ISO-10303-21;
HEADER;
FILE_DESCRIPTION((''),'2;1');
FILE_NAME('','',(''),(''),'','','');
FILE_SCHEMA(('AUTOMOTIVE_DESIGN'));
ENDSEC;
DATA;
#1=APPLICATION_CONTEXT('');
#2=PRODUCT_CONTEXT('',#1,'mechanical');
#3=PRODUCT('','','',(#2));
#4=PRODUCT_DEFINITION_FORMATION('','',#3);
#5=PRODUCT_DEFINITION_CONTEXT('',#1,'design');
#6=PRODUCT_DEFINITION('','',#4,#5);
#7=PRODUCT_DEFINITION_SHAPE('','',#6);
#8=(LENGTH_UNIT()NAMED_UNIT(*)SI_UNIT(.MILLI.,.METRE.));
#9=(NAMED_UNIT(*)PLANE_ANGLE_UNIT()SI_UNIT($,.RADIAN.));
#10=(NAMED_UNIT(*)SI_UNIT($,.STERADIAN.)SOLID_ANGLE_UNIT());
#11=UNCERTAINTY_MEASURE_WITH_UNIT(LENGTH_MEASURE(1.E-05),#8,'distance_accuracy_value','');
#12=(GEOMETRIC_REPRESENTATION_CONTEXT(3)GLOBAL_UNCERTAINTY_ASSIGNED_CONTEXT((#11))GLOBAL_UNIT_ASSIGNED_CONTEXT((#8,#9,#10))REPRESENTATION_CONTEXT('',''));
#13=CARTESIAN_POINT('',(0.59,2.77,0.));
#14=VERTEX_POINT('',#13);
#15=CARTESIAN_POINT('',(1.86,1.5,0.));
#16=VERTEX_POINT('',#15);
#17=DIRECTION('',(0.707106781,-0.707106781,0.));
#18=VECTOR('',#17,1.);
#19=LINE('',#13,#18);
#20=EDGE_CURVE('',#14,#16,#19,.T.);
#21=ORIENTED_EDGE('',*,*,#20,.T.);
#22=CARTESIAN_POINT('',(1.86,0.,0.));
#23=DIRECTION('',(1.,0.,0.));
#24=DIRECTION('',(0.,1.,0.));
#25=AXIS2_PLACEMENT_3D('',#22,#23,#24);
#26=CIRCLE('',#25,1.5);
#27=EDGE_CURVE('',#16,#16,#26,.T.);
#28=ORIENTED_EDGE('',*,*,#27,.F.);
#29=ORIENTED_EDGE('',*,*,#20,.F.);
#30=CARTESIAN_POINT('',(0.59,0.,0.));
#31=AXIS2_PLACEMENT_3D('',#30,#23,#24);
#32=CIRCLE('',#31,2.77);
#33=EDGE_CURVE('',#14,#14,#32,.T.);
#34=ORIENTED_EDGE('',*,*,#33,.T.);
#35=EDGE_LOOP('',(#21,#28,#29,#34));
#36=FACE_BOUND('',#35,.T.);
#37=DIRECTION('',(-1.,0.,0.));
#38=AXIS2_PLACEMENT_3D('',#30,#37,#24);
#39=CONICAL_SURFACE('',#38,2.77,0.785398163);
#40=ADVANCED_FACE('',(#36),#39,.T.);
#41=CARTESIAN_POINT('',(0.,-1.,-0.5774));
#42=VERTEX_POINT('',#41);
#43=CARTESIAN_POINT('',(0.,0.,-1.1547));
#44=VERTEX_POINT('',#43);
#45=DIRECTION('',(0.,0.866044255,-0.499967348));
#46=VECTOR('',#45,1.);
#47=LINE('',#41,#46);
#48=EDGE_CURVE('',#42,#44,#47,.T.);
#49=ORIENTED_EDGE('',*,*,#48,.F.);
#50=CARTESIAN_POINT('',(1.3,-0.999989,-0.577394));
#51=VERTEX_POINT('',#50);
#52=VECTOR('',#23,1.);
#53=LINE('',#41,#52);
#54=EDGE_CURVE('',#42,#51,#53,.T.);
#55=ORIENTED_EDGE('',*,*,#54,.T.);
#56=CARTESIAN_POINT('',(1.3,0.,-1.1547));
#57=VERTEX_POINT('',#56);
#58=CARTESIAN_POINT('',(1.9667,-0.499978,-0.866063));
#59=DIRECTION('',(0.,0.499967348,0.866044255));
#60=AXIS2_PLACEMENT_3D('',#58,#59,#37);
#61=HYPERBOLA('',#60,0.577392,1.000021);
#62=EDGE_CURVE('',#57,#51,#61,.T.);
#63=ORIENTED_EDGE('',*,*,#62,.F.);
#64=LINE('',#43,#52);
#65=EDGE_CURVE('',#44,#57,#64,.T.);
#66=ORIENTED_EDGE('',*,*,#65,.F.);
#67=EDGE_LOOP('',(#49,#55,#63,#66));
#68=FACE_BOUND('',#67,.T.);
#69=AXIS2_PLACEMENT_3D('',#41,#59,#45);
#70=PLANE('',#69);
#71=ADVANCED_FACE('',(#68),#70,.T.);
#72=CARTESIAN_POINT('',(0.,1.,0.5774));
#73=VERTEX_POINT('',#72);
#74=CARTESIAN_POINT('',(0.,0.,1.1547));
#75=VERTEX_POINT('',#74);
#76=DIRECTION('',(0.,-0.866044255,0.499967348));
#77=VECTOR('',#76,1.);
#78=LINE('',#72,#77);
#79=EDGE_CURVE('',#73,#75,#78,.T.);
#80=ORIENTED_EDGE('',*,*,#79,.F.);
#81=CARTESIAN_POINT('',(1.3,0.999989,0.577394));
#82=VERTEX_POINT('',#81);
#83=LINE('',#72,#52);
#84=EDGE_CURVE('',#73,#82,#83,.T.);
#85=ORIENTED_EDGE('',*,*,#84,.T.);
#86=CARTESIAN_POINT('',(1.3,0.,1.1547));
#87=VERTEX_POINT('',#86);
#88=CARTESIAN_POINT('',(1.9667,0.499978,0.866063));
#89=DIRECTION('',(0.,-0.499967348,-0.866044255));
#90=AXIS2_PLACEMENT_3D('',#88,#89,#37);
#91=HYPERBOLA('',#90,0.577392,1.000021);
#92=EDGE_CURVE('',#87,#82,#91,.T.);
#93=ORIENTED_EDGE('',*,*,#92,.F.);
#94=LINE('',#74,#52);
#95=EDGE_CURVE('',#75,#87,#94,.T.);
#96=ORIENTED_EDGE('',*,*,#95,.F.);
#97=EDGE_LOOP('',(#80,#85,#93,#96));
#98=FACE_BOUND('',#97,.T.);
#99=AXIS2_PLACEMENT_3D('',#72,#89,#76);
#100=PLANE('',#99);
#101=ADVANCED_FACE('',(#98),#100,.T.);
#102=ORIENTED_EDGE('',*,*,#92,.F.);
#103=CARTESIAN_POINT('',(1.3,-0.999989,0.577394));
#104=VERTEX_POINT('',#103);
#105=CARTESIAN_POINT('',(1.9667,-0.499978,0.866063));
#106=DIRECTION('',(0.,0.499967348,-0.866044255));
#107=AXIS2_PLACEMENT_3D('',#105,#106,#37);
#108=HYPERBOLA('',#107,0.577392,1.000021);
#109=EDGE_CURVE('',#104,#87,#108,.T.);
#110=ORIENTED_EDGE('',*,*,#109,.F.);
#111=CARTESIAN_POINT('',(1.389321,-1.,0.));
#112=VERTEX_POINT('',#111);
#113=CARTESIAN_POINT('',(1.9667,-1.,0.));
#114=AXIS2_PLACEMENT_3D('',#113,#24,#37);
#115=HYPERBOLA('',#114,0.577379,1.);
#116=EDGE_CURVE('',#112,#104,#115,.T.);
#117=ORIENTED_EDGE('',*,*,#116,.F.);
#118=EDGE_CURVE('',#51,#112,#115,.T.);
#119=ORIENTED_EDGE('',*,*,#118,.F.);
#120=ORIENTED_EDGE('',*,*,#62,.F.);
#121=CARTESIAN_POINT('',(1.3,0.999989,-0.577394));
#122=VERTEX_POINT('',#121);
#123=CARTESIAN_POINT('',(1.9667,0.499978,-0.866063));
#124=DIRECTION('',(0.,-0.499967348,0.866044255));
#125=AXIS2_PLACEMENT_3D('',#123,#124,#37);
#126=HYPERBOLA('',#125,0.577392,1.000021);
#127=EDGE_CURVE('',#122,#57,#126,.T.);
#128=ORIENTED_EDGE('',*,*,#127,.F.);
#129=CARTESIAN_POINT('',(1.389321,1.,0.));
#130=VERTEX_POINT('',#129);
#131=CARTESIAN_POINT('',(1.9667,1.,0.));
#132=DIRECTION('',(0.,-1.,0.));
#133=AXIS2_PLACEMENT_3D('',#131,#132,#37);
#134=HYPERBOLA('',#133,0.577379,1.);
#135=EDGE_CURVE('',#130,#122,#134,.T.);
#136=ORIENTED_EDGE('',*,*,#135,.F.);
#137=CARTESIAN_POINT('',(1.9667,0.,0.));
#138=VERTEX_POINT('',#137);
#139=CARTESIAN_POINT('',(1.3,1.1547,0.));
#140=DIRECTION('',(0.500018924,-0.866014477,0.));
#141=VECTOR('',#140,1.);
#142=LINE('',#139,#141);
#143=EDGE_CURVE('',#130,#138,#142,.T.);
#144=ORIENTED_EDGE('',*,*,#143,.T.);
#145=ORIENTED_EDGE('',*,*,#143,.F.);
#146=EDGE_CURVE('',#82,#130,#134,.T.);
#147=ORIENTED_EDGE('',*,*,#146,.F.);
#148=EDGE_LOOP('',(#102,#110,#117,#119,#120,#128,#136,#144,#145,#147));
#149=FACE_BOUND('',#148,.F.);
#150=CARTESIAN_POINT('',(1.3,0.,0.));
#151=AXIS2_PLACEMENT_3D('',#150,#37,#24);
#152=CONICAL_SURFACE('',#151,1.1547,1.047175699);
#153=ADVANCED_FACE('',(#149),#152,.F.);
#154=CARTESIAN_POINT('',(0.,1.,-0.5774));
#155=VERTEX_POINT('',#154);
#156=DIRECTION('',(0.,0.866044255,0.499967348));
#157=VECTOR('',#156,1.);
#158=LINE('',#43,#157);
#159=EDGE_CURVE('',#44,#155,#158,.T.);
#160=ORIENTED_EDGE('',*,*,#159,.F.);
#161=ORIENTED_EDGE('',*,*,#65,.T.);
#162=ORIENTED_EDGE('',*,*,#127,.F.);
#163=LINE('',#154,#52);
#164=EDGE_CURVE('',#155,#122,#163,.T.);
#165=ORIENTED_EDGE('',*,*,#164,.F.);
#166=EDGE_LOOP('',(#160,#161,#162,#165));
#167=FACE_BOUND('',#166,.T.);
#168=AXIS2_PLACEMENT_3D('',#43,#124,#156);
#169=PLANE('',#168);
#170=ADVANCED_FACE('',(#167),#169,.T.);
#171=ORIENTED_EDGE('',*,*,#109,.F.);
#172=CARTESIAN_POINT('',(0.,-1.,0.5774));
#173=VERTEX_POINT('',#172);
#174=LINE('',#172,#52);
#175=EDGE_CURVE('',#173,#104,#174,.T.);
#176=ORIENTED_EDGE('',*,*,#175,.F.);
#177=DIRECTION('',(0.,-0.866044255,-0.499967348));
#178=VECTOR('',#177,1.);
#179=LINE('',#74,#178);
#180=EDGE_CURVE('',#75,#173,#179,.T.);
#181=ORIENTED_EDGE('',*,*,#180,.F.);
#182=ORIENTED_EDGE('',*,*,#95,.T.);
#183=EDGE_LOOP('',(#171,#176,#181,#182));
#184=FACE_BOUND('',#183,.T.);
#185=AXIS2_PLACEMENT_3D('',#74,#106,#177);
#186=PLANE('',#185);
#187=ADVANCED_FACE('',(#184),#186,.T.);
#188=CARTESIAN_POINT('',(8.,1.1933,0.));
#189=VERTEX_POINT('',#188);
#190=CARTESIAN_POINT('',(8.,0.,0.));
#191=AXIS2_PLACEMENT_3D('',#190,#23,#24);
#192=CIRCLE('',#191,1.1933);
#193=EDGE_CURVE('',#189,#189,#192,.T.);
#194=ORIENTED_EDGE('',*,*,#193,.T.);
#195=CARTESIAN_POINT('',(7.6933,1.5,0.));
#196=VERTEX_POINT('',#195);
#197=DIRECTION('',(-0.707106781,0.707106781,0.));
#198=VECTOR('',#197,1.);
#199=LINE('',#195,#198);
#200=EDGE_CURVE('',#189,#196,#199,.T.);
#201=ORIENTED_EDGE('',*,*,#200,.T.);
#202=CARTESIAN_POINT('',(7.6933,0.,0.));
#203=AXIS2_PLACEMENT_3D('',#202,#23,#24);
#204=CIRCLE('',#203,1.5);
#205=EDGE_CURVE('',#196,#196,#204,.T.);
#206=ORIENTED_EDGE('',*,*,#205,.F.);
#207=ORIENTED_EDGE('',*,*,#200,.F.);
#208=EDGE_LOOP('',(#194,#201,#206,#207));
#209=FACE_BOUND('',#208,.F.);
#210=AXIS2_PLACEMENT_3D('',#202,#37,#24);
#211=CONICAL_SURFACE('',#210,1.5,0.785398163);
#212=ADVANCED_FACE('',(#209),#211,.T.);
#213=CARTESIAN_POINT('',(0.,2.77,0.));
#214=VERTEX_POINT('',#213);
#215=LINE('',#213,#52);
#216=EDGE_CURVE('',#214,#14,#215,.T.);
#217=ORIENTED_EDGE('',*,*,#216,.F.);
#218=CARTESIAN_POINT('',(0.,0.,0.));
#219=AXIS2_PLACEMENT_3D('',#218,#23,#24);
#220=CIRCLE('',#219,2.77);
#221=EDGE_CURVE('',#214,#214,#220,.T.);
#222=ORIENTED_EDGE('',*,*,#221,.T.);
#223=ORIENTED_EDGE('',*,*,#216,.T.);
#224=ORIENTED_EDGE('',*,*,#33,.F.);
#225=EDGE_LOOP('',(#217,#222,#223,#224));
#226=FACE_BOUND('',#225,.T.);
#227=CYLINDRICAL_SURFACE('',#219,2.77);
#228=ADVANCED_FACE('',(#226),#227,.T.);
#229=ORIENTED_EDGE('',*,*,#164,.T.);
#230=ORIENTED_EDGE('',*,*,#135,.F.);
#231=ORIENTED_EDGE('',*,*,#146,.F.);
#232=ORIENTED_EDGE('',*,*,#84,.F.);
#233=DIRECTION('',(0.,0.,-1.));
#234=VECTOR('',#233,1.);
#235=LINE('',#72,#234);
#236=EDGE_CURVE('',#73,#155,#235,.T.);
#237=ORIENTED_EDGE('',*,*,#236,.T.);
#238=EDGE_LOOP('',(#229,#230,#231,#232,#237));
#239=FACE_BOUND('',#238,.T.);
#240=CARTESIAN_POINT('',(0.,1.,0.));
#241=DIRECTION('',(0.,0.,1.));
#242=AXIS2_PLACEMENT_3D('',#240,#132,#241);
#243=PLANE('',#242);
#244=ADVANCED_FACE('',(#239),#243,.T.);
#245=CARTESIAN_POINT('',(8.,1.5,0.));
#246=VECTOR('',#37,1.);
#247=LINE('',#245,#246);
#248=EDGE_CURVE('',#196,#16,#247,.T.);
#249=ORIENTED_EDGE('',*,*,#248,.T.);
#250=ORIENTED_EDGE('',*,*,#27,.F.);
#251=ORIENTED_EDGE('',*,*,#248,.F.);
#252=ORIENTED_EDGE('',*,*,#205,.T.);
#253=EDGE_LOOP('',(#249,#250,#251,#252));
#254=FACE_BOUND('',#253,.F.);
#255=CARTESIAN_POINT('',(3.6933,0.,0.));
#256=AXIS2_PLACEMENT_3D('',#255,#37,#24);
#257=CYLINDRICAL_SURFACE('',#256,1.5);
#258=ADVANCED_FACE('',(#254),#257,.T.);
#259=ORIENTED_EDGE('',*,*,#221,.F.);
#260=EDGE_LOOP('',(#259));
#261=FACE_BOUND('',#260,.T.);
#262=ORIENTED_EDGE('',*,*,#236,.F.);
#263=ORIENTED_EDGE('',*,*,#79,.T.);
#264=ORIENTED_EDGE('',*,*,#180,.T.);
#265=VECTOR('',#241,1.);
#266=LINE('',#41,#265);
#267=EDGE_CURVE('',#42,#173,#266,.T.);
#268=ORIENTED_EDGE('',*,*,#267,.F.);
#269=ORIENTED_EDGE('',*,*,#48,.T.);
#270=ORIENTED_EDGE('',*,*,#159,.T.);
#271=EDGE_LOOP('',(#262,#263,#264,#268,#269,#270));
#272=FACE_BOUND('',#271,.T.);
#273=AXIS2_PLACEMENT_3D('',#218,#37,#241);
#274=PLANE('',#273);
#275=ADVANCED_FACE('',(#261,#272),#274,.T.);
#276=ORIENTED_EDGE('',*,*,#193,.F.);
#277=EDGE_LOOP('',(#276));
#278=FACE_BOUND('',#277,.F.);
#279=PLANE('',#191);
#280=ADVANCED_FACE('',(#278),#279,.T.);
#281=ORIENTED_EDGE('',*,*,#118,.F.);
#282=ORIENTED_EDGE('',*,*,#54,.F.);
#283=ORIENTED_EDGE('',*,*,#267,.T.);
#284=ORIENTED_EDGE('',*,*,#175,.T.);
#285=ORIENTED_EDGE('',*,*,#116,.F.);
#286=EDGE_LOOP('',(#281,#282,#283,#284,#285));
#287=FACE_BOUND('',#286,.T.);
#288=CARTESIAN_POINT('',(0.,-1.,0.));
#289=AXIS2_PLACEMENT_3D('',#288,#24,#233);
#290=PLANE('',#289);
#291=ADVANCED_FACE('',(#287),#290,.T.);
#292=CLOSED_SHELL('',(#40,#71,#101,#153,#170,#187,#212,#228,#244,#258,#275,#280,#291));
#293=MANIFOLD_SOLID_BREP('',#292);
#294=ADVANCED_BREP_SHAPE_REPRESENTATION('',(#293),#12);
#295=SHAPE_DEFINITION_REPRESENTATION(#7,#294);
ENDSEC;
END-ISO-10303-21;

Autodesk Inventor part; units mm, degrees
ref_plane "YZ Plane" through (0, 0, 0) normal (1, 0, 0) x (0, 1, 0)
ref_plane "XZ Plane" through (0, 0, 0) normal (0, 1, 0) x (-1, 0, 0)
sketch "Skizze1" plane through (0, 0, 0) normal (0, 0, 1) x (1, 0, 0)
  line L0 (8, 0) -> (8, 1.5)
  line L1 (8, 1.5) -> (4, 1.5)
  line L2 (4, 1.5) -> (3.6933, 1.5)
  line L3 (0, 2.77) -> (0, 1.1547)
  line L4 (0, 1.1547) -> (1.3, 1.1547)
  line L5 (1.3, 1.1547) -> (1.9667, 0)
  line L6 (1.9667, 0) -> (8, 0)
  line L7 (0, 2.77) -> (0.59, 2.77)
  line L8 (0.59, 2.77) -> (1.86, 1.5)
  line L9 (3.6933, 1.5) -> (1.86, 1.5)
  line L10 (4, 1.5) -> (1.86, 1.5) construction
  line L11 (1.86, 1.5) -> (1.86, 1.5)
  line L12 (-1.6, 0) -> (9.6, 0) projected
  line L13 (0, -0.554) -> (0, 3.324) projected
  dimension "d0" = 8
  dimension "d1" = 4
  dimension "d2" = 1.3
  dimension "d3" = 3
  dimension "d6" = 1.86
  dimension "d7" = 45
  dimension "d8" = 2.3094
  dimension "d9" = 60
  dimension "d10" = 5.54
  dimension "d11" = 3
  dimension "d12" = 0.3067
revolve "Körper" add sketch "Skizze1" angle 360 about axis through (1.9667, 0, 0) along (1, 0, 0) contours L6 L5 L4 L3 L7 L8 L9 L2 L1 L0
sketch "Skizze2" plane through (0, 0, 0) normal (-1, 0, 0) x (0, 0, 1)
  circle A0 centre (0, 0) radius 1.1547 projected
  line L0 (0, -3.878) -> (0, 3.878) projected
  line L1 (-3.878, 0) -> (3.878, 0) projected
  line L2 (1.1547, 0) -> (0.5774, -1)
  line L3 (0.5774, -1) -> (-0.5774, -1)
  line L4 (-0.5774, -1) -> (-1.1547, 0)
  line L5 (-1.1547, 0) -> (-0.5774, 1)
  line L6 (-0.5774, 1) -> (0.5774, 1)
  line L7 (0.5774, 1) -> (1.1547, 0)
  point P0 (0, 1.1547)
extrude "Loch" add sketch "Skizze2" against normal up to next contours L7 A0 | A0 L2 | L6 L0 A0 | A0 L0 L3 | L0 L6 A0 | A0 L3 L0 | L4 A0 | A0 L5
thread "Gewinde" size "M3x0.5" class "6g" standard "ISO Metric profile" length 4
chamfer "Fase1" distance 0.3067 distance2 0.3067 1 edges at (8, -1.5, 0) measured on face at (8, -0.8298, -0.2045)
ref_plane "Work Plane1" through (104.775, 0, 0) normal (0, 0, -1) x (1, 0, 0)
equation "\"d15\" = GEL"
equation "\"d17\" = -0.5 * SPD + 0.5 * GD"
equation "\"d18\" = GUL"
equation "\"d0\" = NLG"
equation "\"d1\" = GEL"
equation "\"d2\" = INTI"
equation "\"d3\" = GD"
equation "\"d6\" = KOH"
equation "\"d7\" = 0.5 * SEWI"
equation "\"d8\" = 1.1547 * SW"
equation "\"d10\" = KOD"
equation "\"d11\" = BDM"
equation "\"d12\" = GAL"
equation "\"NLG\" = 8"
equation "\"INTI\" = 1.3"
equation "\"GEL\" = 4"
equation "\"GAL\" = 0.61345 * PTC"
equation "\"KOH\" = 1.86"
equation "\"KOD\" = 5.54"
equation "\"GUL\" = 0.61345 * PTC"
equation "\"SPD\" = NND - 1.2269 * PTC"
equation "\"BDM\" = NND"
equation "\"GD\" = NND"
equation "\"SEWI\" = 90deg"
equation "\"SW\" = 2"
equation "\"TOA\" = 30deg"
equation "\"GD1\" = THREADDIA - 1.2269 * PTC"
equation "\"EPV\" = 3.36"
equation "\"THREADDIA\" = 3"
equation "\"PTC\" = 0.5"
equation "\"NND\" = 3"
equation "\"E0\" = 2.31"
equation "\"THREADDESC\" = 1.2345"
properties part number "ISO 10642 - M3 x  8" material "Stahl"
